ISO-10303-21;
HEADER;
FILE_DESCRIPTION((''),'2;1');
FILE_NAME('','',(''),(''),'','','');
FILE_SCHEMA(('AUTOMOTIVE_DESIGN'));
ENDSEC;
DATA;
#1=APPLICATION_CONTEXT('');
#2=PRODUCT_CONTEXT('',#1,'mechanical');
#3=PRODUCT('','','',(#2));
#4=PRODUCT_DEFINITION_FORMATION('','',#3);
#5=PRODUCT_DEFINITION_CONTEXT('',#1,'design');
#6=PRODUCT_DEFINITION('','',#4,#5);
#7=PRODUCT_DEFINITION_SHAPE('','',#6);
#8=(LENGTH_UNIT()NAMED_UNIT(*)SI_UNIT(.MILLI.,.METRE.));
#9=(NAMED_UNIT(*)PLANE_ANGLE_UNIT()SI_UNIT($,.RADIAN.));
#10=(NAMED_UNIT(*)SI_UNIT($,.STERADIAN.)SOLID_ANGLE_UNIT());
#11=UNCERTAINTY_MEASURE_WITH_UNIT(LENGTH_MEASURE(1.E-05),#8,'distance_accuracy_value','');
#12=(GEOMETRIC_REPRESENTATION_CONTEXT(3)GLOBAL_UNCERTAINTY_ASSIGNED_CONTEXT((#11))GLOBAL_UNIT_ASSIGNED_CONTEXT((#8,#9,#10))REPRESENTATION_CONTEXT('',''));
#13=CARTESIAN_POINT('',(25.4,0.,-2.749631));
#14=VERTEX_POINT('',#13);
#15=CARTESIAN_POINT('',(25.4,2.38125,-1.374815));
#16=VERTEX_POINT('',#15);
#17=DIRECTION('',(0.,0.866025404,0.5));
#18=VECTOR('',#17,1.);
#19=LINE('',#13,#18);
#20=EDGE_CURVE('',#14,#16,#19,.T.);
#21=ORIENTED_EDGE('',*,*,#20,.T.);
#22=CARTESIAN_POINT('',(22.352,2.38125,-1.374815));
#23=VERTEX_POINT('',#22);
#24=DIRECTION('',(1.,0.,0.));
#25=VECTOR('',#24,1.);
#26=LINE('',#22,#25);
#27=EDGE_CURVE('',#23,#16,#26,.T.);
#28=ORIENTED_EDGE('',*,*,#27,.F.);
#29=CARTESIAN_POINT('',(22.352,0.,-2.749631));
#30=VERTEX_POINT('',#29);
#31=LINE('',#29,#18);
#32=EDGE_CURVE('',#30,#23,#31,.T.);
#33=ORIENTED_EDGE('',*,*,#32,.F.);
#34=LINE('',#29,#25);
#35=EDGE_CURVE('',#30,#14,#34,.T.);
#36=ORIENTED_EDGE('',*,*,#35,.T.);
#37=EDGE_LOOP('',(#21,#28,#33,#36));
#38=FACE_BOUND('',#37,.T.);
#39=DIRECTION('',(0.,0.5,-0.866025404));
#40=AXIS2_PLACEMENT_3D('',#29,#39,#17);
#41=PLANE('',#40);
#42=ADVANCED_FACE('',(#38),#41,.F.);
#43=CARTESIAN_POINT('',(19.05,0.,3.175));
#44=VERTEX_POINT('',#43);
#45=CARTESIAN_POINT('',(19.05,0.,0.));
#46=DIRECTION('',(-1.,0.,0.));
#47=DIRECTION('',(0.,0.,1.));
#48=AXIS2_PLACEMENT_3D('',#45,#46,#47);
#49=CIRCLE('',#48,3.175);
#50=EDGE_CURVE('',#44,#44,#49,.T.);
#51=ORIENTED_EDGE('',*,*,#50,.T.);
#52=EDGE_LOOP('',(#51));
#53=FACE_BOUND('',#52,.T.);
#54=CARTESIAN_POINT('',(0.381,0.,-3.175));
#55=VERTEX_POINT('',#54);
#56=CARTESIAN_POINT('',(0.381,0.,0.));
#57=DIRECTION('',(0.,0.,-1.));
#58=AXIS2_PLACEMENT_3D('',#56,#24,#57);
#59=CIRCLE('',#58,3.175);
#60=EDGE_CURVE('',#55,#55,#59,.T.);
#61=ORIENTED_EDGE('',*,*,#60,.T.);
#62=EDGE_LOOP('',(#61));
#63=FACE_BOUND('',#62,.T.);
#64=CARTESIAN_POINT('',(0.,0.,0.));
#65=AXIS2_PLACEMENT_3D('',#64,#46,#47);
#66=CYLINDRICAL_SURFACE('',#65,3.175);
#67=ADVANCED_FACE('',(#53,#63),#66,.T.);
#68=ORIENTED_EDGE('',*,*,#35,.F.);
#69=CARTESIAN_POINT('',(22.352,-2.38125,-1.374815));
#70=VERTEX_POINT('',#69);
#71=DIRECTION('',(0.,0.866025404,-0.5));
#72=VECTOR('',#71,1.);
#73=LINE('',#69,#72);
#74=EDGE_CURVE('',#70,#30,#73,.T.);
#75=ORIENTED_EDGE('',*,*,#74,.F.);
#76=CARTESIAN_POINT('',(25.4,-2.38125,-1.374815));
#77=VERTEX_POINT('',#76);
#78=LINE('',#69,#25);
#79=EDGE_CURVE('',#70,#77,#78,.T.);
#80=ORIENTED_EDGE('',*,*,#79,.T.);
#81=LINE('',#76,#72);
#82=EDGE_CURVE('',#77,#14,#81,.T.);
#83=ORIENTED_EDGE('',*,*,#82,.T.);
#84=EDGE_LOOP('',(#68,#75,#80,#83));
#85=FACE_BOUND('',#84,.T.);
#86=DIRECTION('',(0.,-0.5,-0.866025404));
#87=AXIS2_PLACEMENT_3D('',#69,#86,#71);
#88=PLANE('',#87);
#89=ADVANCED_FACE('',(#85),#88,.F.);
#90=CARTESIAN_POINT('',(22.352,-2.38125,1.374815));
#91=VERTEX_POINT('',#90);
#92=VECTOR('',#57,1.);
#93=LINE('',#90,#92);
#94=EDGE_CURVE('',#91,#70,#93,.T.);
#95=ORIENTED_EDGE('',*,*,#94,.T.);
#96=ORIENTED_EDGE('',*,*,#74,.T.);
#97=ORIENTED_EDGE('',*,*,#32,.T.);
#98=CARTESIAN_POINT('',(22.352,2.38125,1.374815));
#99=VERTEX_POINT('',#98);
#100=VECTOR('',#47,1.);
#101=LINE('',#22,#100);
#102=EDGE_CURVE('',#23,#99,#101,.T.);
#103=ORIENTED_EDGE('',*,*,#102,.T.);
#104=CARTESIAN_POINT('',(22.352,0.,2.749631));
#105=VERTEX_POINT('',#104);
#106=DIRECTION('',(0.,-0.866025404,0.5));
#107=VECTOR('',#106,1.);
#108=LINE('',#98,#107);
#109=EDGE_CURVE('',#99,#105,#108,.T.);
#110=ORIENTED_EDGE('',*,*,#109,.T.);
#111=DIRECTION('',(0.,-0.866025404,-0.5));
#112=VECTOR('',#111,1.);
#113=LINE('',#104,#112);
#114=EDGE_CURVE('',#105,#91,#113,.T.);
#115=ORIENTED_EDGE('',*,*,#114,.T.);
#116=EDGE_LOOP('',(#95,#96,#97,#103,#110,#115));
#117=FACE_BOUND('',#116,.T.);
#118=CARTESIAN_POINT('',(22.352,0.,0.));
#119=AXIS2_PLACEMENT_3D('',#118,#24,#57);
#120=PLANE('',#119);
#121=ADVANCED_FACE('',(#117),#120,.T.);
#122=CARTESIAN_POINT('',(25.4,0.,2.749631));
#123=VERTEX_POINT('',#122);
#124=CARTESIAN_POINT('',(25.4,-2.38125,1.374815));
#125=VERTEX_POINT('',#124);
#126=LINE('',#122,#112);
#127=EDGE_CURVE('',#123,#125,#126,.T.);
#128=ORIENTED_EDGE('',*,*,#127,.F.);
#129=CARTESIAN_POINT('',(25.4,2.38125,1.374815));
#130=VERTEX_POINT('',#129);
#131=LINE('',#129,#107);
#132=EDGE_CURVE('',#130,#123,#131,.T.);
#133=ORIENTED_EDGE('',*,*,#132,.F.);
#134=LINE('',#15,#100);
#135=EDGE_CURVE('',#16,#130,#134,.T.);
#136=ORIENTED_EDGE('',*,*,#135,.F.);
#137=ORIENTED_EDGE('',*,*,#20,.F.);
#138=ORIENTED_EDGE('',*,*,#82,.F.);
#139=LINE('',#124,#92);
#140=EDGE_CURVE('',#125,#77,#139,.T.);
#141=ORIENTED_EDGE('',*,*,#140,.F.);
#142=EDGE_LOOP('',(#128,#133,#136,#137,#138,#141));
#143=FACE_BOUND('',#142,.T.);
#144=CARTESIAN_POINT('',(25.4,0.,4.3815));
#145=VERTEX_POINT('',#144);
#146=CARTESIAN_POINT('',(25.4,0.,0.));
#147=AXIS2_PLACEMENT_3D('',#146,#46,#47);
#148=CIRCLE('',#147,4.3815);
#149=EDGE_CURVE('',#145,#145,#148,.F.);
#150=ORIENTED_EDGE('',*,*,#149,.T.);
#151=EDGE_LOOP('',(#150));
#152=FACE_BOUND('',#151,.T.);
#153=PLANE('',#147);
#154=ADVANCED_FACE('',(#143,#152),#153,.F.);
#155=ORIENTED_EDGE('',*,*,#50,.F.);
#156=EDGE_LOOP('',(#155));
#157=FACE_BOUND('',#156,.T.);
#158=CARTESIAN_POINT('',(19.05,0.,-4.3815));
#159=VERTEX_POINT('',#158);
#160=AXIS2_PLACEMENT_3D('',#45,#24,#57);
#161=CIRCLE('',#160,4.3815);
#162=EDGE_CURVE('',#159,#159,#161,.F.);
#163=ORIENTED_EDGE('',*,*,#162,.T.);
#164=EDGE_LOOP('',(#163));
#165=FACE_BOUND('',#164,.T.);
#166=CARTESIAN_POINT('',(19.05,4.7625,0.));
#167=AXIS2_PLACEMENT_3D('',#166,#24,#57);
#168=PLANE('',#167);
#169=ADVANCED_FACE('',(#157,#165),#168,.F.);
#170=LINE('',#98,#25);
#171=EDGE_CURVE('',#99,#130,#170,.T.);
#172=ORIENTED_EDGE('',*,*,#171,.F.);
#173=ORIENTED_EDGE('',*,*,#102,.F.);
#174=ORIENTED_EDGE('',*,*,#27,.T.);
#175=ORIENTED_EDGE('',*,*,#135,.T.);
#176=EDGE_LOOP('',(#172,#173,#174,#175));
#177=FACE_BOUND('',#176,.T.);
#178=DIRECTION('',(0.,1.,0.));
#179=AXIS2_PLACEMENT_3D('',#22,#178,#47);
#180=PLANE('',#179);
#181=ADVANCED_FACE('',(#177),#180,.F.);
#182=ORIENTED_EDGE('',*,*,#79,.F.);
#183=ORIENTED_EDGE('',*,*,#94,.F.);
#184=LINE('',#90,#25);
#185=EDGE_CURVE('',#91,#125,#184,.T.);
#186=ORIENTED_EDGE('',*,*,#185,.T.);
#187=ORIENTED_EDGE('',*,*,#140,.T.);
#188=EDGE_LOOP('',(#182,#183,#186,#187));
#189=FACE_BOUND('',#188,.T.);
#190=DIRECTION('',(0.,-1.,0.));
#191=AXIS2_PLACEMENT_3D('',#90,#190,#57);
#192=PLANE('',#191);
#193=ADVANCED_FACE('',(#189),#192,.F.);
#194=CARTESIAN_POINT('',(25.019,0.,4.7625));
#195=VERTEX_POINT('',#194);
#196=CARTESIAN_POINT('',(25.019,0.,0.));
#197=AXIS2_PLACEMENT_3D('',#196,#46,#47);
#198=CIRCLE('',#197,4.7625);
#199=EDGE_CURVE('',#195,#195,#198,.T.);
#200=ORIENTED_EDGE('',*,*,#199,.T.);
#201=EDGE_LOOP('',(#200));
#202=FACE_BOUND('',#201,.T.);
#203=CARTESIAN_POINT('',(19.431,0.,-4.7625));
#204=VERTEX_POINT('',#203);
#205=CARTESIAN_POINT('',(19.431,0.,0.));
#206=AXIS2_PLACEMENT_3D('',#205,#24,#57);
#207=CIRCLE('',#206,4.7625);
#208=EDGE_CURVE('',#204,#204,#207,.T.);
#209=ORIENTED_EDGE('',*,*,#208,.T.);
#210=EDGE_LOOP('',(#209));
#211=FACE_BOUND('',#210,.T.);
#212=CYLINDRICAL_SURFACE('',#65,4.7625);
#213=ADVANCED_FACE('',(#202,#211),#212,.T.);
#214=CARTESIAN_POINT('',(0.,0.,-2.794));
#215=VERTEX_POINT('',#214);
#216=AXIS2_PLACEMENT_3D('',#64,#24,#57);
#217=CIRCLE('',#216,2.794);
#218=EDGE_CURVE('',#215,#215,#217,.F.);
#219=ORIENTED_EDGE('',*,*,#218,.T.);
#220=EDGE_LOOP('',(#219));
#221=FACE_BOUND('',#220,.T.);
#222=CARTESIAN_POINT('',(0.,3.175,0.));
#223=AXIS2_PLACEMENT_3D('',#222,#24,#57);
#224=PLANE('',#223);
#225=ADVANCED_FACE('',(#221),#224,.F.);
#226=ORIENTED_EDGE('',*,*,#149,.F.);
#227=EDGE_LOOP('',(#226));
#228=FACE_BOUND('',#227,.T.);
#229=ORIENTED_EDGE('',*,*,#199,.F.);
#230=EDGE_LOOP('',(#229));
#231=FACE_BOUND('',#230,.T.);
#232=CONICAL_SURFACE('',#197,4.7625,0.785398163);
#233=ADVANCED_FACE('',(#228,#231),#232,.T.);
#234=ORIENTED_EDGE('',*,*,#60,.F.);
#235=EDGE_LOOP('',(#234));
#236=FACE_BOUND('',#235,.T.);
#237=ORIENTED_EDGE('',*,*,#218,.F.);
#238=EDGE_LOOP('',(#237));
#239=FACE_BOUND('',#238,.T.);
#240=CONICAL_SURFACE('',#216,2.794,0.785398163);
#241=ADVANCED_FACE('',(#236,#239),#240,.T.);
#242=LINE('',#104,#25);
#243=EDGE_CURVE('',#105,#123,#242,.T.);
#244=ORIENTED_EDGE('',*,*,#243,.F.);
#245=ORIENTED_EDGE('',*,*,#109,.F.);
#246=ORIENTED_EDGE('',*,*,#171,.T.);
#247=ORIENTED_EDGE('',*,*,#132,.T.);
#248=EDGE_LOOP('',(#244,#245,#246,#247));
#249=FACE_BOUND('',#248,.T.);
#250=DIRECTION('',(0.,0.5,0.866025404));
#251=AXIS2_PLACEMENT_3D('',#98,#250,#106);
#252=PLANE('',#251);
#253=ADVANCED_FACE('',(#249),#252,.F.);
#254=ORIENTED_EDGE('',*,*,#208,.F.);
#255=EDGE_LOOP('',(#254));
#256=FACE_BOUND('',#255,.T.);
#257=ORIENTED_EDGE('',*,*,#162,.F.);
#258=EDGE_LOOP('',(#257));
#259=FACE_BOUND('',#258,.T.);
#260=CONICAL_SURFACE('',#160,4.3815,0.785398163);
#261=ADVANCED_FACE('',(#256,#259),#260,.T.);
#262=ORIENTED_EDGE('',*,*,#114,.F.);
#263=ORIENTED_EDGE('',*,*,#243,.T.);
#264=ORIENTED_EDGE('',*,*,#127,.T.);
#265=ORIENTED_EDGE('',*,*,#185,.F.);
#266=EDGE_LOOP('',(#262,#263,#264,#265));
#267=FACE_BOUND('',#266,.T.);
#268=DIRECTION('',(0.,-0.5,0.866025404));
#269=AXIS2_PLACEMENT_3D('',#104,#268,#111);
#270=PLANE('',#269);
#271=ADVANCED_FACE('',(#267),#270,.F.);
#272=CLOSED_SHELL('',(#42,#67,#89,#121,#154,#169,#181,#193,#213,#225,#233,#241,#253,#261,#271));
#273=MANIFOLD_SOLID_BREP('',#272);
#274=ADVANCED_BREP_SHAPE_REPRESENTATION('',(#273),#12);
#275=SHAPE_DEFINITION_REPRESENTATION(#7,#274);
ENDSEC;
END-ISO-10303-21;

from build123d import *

# Parameters (mm, degrees)
HEX_CUT_DEPTH = 3.048
CHAMFER2_SIZE = 0.381


with BuildPart() as part:
    # Base Sketch → Base (revolve)
    with BuildSketch(Plane.XY, mode=Mode.PRIVATE) as base_sk:
        Polygon((0, 0), (25.4, 0), (25.4, 4.7625), (19.05, 4.7625), (19.05, 3.175), (0, 3.175), align=None)
    revolve(base_sk.sketch.rotate(Axis((0, 0, 0), (1, 0, 0)), 90), axis=Axis((0, 0, 0), (1, 0, 0)))

    # Hex Sketch → Hex Cut (cut)
    with BuildSketch(Plane(origin=(25.4, 0, 0), x_dir=(0, 0, -1), z_dir=(1, 0, 0))):
        Polygon((-1.374815329, 2.38125), (-2.749630657, 0), (-1.374815329, -2.38125), (1.374815329, -2.38125), (2.749630657, 0), (1.374815329, 2.38125), align=None)
    extrude(amount=-HEX_CUT_DEPTH, mode=Mode.SUBTRACT)

    # Chamfer2
    chamfer2_edges = [part.edges().sort_by_distance(p)[0] for p in [
        (0, 0, -3.175),
        (19.05, 0, -4.7625),
        (25.4, 0, -4.7625),
    ]]
    chamfer(chamfer2_edges, length=CHAMFER2_SIZE)


solid = part.part
